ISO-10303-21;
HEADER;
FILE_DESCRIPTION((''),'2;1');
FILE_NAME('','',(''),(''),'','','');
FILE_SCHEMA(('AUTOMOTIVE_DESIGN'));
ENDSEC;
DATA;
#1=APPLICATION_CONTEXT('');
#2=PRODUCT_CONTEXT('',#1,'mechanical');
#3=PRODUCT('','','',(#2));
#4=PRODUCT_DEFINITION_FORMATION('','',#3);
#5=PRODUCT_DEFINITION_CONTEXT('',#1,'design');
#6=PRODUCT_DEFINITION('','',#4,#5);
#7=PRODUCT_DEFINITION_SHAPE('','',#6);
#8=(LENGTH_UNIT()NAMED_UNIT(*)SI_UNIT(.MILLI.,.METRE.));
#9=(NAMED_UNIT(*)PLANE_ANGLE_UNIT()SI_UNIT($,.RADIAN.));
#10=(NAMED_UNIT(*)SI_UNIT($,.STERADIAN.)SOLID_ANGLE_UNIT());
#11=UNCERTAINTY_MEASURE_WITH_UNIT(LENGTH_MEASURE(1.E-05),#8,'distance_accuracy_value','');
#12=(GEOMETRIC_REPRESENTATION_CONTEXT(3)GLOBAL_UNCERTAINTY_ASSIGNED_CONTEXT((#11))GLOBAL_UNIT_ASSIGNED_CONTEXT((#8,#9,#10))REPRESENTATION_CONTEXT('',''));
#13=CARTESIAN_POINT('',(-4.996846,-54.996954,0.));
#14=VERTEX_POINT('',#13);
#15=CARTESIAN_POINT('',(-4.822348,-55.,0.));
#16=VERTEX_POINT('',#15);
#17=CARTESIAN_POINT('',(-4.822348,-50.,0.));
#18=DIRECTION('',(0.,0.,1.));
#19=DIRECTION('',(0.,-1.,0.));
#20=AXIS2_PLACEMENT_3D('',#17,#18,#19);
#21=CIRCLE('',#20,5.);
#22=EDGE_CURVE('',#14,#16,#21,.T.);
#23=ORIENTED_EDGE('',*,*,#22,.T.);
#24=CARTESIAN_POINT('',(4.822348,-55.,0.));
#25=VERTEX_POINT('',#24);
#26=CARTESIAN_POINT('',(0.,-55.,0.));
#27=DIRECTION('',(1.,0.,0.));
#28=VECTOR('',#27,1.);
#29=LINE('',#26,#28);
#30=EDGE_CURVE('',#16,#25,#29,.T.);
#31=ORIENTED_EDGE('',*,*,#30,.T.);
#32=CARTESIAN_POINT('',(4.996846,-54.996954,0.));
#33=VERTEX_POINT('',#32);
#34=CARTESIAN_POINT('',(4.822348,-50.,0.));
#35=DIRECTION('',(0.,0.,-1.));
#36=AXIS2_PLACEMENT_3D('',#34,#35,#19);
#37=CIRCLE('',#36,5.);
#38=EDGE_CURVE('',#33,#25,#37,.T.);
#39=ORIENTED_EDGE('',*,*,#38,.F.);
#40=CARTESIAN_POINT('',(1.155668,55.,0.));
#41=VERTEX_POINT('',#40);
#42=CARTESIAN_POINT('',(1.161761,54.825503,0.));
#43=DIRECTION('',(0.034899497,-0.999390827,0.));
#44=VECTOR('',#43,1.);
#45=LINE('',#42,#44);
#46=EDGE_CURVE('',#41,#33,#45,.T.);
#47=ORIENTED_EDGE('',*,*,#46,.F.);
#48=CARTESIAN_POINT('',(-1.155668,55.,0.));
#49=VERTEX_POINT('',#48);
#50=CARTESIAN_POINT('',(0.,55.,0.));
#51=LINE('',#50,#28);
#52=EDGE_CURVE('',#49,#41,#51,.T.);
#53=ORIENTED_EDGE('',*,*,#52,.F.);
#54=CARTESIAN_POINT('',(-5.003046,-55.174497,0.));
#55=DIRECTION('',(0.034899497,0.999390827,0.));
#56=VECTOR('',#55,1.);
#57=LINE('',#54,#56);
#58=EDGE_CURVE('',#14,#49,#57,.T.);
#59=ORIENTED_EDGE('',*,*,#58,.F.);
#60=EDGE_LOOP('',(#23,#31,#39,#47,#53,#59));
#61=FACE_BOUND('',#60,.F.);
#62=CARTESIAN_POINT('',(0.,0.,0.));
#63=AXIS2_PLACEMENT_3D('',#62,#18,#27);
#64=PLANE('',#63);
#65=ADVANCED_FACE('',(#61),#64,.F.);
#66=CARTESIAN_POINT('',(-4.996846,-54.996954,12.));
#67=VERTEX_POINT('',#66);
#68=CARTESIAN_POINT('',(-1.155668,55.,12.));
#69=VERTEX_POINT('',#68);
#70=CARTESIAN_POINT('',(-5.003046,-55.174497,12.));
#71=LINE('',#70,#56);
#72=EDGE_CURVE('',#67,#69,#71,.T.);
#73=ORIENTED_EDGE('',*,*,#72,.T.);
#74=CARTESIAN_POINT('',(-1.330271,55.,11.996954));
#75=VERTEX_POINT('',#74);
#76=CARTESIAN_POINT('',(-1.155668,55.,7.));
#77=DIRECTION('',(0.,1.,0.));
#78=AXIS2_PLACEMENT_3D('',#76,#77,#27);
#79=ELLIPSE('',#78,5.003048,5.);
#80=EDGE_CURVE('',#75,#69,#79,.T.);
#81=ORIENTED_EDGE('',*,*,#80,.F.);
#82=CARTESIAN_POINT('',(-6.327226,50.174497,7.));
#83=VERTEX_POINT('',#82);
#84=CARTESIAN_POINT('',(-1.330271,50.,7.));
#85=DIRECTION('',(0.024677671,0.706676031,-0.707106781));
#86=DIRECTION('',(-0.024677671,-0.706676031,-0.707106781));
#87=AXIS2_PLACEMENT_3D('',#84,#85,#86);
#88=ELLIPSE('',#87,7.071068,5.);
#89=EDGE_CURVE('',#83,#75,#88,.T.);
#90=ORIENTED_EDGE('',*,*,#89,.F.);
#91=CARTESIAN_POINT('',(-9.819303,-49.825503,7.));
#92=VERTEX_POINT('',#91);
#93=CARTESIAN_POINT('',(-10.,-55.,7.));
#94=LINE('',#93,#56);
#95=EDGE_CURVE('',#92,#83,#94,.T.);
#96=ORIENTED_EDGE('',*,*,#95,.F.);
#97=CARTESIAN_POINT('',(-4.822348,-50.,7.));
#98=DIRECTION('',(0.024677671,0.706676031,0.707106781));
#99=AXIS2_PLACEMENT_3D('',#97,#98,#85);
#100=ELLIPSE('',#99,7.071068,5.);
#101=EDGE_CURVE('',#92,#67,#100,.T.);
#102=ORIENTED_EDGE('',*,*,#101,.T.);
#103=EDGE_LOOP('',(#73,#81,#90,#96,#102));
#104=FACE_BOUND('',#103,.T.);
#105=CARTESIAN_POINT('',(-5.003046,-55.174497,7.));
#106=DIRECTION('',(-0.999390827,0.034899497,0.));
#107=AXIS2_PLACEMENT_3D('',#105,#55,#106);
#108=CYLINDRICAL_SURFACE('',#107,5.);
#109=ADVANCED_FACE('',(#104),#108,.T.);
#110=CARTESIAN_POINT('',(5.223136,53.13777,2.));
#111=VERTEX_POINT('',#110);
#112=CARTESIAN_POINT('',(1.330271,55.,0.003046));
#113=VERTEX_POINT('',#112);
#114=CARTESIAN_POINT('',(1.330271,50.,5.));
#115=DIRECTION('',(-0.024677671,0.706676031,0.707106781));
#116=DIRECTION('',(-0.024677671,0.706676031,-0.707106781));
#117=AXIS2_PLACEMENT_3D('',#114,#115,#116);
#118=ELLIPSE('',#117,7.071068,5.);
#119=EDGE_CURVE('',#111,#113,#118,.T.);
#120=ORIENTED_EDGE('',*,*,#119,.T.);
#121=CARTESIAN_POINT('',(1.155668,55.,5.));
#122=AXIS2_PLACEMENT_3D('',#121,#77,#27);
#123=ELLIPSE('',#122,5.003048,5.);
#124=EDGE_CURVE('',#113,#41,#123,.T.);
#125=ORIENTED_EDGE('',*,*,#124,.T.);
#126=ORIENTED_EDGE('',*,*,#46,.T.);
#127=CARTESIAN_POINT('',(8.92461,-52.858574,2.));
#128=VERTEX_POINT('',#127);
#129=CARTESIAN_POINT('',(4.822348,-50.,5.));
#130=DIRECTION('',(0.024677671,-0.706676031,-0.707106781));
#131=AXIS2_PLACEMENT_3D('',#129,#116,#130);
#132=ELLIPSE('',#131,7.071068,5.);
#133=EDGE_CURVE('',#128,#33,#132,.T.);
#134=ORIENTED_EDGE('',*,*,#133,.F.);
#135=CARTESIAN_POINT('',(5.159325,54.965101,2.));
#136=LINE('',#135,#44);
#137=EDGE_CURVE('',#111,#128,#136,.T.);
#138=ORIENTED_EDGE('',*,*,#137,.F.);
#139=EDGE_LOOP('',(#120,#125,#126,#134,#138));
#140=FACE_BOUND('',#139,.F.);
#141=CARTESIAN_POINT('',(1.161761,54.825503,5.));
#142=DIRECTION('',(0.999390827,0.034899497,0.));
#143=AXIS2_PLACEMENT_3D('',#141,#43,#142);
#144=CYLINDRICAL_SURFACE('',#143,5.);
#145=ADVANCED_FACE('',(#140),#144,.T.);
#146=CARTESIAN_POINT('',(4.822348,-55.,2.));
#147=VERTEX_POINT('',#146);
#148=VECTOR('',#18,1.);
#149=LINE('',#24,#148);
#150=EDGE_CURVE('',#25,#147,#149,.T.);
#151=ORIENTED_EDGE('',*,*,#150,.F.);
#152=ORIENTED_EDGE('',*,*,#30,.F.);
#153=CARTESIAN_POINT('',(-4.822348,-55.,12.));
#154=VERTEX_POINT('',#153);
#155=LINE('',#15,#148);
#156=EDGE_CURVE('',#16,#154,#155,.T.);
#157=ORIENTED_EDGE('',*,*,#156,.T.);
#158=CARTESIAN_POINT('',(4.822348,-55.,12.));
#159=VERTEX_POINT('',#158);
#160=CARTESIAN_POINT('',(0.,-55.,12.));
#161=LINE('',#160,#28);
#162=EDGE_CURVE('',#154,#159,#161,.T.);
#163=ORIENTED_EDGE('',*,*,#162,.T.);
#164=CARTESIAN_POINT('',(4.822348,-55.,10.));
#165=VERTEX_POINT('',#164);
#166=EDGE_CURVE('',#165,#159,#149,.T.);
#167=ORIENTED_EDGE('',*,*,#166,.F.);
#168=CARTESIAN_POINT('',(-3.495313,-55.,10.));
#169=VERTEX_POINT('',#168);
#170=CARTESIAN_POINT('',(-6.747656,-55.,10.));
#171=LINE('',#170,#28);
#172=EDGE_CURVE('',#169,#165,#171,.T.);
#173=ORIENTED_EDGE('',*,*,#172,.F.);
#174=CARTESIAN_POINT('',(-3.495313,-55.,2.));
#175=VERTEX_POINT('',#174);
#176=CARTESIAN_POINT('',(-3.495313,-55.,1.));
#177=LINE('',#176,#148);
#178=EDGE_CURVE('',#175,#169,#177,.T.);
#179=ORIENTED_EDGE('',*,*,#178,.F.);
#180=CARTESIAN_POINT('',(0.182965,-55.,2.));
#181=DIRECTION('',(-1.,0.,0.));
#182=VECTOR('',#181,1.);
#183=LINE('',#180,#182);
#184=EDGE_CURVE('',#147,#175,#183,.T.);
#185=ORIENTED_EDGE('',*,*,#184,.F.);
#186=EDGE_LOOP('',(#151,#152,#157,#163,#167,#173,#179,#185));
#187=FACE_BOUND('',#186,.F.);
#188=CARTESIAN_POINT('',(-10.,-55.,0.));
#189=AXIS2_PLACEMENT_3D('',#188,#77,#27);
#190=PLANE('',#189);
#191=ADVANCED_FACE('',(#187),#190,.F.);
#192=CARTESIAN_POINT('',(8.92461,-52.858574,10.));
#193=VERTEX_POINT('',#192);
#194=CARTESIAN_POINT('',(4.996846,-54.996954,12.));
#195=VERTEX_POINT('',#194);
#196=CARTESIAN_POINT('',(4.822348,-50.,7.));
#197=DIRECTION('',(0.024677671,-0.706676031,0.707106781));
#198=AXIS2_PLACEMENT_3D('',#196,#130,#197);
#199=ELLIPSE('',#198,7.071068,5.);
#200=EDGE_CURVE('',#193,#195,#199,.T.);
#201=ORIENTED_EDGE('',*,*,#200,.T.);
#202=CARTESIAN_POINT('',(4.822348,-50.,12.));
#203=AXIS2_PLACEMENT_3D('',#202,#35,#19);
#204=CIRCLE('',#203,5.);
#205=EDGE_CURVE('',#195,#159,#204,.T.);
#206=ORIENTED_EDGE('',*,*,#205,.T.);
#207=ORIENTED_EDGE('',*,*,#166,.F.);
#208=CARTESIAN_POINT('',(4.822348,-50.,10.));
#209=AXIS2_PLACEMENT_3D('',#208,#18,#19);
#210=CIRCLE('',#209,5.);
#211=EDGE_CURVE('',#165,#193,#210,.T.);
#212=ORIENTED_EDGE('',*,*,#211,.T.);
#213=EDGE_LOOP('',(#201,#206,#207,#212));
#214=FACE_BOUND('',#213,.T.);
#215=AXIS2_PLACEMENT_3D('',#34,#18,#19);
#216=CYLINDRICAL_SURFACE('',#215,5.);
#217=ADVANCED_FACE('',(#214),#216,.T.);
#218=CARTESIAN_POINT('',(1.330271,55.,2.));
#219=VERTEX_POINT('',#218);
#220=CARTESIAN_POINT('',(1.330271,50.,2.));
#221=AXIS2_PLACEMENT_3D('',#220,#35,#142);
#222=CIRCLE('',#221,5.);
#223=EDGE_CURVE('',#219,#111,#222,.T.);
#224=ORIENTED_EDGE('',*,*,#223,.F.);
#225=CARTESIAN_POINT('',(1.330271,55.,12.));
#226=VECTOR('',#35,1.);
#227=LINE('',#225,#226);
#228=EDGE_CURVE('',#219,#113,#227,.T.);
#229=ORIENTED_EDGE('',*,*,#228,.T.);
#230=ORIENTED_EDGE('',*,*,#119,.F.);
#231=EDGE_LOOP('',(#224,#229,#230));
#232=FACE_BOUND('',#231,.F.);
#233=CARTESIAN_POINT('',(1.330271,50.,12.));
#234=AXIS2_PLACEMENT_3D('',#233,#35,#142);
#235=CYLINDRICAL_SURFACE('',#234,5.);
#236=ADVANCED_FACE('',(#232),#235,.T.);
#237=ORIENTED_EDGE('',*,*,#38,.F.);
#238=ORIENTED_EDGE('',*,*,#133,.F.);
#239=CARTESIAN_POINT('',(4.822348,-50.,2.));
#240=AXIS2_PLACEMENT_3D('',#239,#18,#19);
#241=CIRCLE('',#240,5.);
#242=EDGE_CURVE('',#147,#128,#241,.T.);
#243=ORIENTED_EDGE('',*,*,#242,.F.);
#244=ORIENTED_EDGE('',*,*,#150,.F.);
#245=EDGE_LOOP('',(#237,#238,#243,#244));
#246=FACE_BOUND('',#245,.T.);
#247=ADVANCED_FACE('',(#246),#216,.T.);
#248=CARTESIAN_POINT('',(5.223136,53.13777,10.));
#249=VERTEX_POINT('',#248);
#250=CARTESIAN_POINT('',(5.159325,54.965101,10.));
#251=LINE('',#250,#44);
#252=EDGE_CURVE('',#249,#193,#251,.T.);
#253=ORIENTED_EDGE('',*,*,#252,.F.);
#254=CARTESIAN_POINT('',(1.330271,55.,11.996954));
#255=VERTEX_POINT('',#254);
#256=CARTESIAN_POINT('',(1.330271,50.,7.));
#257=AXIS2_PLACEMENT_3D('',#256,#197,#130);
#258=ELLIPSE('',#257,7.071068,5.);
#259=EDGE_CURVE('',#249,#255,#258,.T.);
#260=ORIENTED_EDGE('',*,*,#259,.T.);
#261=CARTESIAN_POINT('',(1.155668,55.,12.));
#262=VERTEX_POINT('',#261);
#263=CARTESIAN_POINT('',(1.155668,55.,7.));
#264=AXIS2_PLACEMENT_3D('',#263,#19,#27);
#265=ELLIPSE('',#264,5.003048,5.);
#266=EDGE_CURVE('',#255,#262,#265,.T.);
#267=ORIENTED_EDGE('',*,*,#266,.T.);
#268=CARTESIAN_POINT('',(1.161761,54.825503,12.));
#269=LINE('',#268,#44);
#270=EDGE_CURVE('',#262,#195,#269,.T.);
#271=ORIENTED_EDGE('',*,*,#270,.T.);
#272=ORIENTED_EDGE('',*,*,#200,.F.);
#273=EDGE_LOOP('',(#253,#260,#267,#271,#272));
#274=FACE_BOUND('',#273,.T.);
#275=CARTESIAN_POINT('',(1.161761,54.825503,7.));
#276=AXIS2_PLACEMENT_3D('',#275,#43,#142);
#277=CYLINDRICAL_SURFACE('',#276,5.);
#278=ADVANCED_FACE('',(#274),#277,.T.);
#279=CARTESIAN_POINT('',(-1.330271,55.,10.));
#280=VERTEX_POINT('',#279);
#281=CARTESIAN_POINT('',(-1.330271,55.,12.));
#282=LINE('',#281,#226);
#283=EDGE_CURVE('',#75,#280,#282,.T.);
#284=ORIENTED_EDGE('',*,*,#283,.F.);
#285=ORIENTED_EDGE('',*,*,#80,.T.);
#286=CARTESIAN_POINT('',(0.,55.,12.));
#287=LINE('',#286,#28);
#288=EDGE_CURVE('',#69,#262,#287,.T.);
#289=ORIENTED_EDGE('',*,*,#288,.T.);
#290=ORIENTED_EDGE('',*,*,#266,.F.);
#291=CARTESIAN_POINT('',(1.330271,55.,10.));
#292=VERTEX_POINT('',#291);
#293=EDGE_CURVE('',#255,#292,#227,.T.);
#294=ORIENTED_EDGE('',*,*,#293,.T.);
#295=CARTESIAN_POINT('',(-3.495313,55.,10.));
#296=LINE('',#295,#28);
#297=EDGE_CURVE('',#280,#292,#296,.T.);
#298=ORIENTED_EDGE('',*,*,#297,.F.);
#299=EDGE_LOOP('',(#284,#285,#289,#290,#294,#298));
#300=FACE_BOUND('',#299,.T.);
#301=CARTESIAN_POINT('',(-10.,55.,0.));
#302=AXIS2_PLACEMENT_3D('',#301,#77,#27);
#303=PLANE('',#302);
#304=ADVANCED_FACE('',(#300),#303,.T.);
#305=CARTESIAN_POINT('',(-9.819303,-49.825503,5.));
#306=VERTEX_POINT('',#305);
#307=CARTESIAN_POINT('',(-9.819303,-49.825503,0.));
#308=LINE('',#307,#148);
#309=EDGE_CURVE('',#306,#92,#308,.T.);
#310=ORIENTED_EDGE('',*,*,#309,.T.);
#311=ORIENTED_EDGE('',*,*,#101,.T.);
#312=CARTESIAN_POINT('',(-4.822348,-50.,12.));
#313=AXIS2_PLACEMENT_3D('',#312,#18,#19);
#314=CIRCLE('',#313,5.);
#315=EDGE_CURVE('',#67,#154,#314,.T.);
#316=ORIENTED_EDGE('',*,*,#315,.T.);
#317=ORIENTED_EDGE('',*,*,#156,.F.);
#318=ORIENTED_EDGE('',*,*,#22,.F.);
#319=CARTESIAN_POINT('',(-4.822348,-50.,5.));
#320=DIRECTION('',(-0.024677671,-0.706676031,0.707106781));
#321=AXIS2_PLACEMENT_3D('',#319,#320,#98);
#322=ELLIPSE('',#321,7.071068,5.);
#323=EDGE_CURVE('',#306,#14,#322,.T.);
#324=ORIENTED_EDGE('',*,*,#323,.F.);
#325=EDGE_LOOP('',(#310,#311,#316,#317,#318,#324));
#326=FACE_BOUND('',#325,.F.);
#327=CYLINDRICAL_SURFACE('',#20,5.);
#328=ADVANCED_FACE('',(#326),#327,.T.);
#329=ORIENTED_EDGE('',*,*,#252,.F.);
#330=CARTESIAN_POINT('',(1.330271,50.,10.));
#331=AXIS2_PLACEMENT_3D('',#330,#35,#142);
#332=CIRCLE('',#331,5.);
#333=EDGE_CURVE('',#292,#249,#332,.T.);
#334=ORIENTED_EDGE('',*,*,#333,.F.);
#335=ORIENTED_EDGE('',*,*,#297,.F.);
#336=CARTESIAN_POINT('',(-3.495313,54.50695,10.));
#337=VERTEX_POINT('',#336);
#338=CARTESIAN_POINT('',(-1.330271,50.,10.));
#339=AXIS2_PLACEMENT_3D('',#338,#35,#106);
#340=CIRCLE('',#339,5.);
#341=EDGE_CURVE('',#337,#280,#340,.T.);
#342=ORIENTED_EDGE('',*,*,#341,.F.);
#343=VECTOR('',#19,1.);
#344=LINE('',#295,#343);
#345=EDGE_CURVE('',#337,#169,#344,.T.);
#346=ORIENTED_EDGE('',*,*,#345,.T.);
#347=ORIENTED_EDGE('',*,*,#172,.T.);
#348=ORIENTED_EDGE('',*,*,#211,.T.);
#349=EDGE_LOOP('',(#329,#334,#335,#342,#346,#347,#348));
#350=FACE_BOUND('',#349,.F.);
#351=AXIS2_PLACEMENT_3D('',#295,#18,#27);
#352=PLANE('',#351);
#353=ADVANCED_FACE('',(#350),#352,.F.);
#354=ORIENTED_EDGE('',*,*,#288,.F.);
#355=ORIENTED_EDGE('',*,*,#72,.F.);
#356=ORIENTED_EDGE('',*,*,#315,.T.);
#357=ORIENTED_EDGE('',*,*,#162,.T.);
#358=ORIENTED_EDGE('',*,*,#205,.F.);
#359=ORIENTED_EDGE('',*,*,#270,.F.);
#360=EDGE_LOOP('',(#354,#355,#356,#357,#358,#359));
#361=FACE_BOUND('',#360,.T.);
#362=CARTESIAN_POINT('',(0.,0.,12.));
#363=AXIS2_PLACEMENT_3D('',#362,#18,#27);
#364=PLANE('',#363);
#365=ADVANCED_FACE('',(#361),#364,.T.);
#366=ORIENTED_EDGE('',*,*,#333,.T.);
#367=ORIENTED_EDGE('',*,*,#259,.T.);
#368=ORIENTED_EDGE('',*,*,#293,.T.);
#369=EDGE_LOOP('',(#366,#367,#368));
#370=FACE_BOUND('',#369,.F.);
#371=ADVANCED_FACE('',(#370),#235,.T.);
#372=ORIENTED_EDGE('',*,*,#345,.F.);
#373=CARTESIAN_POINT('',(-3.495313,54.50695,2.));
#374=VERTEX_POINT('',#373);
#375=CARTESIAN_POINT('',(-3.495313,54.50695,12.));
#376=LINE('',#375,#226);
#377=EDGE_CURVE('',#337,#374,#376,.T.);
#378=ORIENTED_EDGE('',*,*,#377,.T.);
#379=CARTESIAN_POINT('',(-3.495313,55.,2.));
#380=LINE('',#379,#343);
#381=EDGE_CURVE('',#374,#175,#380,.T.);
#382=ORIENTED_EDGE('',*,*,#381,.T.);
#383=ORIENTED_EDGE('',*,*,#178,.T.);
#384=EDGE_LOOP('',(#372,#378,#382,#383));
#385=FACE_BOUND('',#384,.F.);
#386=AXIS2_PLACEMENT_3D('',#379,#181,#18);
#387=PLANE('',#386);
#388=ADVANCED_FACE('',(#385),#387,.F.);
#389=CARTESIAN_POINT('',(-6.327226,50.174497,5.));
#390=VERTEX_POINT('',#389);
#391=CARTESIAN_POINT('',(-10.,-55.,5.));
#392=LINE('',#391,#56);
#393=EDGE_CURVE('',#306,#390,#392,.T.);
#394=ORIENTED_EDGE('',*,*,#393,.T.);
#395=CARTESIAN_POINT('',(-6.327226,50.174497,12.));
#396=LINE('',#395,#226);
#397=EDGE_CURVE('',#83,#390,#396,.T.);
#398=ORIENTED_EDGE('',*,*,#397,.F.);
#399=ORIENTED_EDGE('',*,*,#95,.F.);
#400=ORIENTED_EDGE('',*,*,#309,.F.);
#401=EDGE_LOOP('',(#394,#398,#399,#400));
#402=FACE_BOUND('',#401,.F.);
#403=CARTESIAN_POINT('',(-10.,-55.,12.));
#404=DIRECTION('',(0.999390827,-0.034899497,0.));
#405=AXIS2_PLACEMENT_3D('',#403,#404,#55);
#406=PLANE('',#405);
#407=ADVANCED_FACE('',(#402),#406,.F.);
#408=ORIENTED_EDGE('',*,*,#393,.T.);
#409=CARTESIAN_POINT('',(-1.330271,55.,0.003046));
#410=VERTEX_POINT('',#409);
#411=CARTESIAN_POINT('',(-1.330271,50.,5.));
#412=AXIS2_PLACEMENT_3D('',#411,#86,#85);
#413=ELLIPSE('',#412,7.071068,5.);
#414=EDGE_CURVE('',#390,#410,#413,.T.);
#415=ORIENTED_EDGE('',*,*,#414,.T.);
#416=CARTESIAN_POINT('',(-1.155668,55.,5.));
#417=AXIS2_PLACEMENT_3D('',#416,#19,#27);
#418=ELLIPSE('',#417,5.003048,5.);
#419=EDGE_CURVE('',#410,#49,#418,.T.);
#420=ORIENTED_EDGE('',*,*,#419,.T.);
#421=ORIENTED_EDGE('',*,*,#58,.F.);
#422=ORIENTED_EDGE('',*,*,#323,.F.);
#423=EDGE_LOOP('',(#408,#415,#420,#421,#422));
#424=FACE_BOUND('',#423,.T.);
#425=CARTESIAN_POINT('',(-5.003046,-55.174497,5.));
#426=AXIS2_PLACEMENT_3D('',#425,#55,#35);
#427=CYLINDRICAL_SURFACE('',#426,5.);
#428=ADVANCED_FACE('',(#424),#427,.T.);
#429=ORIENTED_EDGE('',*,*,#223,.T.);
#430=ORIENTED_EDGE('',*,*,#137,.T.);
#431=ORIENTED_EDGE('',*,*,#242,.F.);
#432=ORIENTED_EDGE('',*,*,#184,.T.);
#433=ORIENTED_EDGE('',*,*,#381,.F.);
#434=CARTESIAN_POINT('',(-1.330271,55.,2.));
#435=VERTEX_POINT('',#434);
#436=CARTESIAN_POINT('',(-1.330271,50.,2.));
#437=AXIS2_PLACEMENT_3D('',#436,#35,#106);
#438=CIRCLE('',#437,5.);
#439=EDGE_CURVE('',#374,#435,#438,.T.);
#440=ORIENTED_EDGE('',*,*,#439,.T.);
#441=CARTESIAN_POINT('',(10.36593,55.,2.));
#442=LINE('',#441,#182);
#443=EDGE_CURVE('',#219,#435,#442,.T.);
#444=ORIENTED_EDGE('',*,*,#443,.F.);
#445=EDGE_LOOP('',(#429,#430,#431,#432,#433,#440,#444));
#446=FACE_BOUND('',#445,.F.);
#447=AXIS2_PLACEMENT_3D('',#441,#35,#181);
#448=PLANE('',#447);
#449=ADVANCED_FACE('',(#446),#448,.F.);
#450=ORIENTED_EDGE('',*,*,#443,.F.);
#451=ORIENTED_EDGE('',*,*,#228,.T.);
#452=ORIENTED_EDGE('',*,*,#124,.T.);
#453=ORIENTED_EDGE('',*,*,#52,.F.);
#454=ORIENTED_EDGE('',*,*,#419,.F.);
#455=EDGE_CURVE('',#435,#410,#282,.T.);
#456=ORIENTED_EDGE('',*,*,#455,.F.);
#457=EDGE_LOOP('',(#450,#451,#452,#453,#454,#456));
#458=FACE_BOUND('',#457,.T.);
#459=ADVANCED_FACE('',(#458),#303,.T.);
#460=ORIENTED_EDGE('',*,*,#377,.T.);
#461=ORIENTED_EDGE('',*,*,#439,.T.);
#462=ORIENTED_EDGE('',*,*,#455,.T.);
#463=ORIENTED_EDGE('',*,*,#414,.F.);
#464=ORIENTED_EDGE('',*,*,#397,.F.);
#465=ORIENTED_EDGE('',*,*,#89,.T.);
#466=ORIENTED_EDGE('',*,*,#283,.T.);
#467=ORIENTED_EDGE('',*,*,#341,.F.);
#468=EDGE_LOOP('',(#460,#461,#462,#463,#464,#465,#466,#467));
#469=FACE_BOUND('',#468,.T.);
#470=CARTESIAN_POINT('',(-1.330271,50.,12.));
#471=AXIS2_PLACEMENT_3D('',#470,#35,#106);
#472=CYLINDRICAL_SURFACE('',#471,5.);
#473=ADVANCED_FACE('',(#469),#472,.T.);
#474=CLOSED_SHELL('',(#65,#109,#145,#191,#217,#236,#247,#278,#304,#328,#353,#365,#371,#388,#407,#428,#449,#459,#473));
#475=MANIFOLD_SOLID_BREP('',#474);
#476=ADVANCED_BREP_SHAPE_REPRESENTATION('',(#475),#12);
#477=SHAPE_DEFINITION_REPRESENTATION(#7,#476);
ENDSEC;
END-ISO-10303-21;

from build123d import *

# Parameters (mm, degrees)
F0_W     = 20
F0_H     = 110
F1_DEPTH = 12
F3_DEPTH = 12.001
F4_R     = 5
F5_R     = 5
F6_W     = 9.035658904
F6_H     = 8
F6_W_2   = 2.6605429637
F6_W_3   = 2.1650415125
F7_DEPTH = 110.001


with BuildPart() as f1:
    # F0 (on Top) → F1 (new body)
    with BuildSketch(Plane.XY):
        Rectangle(F0_W, F0_H)
    extrude(amount=F1_DEPTH)

    # F2 (on face) → F3 (cut, through all)
    with BuildSketch(Plane.XY.offset(12)):
        Polygon((6.1587153559, 55), (10, -55), (10, 55), align=None)
        Polygon((-10, 55), (-10, -55), (-6.1587153559, 55), align=None)
    extrude(amount=-F3_DEPTH, mode=Mode.SUBTRACT)

    # F4
    f4_edges = [f1.edges().sort_by_distance(p)[0] for p in [
        (8.079358, 0, 12),
        (10, -55, 6),
        (8.079358, 0, 0),
        (6.158715, 55, 6),
    ]]
    fillet(f4_edges, radius=F4_R)

    # F5
    f5_edges = [f1.edges().sort_by_distance(p)[0] for p in [
        (-10, -55, 6),
        (-8.079358, 0, 12),
        (-6.158715, 55, 6),
        (-8.079358, 0, 0),
    ]]
    fillet(f5_edges, radius=F5_R)

    # F6 (on face) → F7 (cut, through all)
    with BuildSketch(Plane(origin=(0, 55, 0), x_dir=(-1, 0, 0), z_dir=(0, 1, 0))):
        with Locations((-5.8481009339, 6)):
            Rectangle(F6_W, F6_H)
        with Locations((0, 6)):
            Rectangle(F6_W_2, F6_H)
        with Locations((2.4127922381, 6)):
            Rectangle(F6_W_3, F6_H)
    extrude(amount=-F7_DEPTH, mode=Mode.SUBTRACT)


solid = f1.part
